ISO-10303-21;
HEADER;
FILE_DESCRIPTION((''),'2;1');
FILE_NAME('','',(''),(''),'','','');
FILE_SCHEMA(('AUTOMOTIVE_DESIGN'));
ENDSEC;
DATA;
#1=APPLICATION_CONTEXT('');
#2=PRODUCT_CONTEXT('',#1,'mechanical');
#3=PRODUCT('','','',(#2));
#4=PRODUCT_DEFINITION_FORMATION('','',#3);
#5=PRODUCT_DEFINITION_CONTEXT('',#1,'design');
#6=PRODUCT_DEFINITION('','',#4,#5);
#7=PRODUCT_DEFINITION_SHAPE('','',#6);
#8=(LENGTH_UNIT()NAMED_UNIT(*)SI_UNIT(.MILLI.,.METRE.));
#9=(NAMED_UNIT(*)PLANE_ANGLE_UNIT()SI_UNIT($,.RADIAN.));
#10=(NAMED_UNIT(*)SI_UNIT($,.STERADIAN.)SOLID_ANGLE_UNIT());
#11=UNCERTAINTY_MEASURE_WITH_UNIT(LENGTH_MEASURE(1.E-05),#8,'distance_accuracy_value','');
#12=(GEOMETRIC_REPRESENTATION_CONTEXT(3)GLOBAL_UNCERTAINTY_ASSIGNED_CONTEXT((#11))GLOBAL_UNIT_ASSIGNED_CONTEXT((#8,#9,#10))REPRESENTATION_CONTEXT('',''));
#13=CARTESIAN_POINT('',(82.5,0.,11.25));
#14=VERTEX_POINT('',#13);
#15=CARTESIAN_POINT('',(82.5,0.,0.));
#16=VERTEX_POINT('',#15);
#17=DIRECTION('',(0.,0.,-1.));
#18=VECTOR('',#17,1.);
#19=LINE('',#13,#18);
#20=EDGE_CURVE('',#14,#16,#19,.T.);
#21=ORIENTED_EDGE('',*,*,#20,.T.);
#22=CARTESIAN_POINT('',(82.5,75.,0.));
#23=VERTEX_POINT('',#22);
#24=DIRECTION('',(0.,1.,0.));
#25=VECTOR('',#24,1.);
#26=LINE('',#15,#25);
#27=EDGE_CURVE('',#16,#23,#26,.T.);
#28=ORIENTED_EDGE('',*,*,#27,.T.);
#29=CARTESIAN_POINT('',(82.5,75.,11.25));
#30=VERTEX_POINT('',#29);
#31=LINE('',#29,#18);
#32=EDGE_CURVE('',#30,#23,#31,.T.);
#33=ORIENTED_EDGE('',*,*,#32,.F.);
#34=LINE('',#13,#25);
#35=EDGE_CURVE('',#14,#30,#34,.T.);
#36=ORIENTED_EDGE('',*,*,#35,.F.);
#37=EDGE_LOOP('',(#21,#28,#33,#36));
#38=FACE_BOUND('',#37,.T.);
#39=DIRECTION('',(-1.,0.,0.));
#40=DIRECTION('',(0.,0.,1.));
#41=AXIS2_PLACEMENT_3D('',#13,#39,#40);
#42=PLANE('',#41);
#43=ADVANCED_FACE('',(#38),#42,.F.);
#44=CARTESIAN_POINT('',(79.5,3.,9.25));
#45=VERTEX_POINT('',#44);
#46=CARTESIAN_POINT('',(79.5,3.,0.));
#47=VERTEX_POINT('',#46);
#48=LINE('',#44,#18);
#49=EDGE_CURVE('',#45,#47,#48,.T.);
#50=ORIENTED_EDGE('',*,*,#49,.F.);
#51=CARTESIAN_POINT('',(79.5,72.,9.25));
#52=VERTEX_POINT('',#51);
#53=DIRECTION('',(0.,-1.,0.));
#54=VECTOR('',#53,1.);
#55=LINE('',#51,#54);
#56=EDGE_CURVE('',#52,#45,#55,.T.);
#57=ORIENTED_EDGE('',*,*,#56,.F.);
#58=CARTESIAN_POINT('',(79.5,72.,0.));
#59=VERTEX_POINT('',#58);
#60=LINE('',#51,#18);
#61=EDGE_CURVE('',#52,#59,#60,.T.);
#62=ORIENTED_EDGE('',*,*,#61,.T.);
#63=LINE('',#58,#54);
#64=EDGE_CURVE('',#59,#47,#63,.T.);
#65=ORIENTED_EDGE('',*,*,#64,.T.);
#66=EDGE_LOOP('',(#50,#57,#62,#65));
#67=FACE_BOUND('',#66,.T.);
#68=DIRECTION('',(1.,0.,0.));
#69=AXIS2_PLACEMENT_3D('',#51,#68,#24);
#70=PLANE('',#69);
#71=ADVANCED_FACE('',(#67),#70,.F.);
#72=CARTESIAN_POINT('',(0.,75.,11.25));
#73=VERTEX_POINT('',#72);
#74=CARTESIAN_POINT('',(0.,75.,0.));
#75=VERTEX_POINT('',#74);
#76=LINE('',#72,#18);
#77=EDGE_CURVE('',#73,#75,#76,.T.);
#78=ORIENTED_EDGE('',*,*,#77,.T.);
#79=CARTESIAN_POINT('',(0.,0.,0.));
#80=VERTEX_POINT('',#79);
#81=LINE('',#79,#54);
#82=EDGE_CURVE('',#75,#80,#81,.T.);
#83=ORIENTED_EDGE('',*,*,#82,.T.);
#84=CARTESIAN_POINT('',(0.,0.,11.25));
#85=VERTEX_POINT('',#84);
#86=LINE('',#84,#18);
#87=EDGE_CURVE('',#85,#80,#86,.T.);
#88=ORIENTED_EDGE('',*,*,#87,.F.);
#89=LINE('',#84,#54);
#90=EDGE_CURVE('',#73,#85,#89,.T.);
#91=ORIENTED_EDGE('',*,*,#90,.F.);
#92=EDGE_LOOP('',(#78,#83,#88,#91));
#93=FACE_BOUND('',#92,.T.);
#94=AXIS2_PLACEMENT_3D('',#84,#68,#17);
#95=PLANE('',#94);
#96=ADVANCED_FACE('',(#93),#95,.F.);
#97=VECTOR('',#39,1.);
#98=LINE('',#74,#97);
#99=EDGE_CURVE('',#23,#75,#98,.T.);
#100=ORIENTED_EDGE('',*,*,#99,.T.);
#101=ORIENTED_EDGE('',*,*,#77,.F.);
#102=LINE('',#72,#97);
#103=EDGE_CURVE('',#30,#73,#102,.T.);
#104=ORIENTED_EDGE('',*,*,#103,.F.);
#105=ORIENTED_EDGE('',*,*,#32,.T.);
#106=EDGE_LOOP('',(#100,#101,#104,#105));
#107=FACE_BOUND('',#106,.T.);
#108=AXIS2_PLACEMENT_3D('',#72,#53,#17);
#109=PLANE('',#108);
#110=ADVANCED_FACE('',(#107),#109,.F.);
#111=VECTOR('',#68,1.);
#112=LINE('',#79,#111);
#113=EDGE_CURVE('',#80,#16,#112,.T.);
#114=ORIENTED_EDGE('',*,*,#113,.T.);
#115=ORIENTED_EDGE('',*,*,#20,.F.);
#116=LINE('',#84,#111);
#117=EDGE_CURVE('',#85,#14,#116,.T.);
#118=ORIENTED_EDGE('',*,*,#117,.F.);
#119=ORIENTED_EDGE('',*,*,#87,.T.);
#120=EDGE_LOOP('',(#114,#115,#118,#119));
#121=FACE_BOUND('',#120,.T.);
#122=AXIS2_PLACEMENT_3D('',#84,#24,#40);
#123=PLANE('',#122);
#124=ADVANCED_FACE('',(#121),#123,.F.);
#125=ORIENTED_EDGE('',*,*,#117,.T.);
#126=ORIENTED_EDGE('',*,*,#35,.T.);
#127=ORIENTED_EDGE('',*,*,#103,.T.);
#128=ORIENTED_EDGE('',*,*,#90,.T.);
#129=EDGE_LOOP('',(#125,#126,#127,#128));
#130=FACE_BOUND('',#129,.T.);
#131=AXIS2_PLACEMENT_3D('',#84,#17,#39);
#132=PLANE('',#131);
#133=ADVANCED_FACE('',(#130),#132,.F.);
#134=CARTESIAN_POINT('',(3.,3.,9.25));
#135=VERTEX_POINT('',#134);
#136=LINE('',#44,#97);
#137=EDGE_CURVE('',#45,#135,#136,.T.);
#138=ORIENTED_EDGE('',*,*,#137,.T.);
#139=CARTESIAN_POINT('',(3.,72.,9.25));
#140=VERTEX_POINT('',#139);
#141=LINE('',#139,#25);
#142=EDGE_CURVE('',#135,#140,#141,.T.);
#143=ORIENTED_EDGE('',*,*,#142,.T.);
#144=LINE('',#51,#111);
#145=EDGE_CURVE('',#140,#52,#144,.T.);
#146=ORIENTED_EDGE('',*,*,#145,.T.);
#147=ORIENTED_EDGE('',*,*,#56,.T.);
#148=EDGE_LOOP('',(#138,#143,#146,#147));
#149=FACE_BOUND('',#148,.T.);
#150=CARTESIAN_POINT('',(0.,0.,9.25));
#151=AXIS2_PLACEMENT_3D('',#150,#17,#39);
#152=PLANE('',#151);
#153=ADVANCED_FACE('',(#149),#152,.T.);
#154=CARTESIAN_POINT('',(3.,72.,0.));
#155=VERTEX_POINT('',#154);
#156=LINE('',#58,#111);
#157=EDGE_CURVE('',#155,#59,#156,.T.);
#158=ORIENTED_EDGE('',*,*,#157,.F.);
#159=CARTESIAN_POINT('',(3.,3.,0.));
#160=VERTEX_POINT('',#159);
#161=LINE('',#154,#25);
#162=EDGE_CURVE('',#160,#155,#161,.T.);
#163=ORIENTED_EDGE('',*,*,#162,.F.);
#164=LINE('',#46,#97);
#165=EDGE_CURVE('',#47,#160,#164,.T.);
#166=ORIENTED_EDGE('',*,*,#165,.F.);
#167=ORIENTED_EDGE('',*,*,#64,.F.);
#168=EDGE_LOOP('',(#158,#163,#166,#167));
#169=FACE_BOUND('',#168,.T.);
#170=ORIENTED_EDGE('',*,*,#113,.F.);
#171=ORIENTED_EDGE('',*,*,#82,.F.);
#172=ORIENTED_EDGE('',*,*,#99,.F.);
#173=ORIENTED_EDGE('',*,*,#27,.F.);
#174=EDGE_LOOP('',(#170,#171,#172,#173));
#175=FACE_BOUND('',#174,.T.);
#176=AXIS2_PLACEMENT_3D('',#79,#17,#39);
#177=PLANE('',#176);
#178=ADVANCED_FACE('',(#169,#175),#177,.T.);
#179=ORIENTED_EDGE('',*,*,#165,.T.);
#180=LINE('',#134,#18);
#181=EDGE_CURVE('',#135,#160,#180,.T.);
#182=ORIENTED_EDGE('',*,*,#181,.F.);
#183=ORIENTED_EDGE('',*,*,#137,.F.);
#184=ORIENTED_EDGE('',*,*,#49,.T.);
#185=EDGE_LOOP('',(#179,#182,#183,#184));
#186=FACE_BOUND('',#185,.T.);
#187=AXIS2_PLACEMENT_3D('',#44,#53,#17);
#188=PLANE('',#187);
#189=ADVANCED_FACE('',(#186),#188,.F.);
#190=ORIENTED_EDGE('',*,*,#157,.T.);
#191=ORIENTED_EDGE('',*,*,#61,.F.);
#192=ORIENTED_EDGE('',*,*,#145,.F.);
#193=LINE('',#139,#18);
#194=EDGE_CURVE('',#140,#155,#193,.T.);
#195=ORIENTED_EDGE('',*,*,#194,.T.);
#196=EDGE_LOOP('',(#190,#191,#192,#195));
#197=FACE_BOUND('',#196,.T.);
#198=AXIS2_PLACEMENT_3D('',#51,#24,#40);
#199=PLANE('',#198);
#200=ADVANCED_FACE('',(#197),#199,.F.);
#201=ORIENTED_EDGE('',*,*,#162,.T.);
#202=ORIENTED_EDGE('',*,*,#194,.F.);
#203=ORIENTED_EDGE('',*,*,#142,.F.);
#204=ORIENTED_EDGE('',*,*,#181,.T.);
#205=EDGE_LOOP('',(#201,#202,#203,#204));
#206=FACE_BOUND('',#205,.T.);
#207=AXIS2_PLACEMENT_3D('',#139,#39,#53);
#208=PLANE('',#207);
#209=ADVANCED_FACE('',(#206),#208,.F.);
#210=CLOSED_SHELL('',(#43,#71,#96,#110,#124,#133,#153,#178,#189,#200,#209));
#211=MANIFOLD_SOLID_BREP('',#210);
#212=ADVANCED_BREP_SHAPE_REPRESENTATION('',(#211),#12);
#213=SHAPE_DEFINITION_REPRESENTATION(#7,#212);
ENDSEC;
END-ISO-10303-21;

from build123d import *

# Parameters (mm, degrees)
SKETCH1_W           = 82.5
SKETCH1_H           = 75
BOSS_EXTRUDE1_DEPTH = 11.25
SKETCH2_W           = 76.5
SKETCH2_H           = 69
CUT_EXTRUDE1_DEPTH  = 9.25


with BuildPart() as part:
    # Sketch1 → Boss-Extrude1 (new body)
    with BuildSketch(Plane.XY):
        with Locations((41.25, 37.5)):
            Rectangle(SKETCH1_W, SKETCH1_H)
    extrude(amount=BOSS_EXTRUDE1_DEPTH)

    # Sketch2 → Cut-Extrude1 (cut)
    with BuildSketch(Plane(origin=(0, 0, 0), x_dir=(-1, 0, 0), z_dir=(0, 0, -1))):
        with Locations((-41.25, 37.5)):
            Rectangle(SKETCH2_W, SKETCH2_H)
    extrude(amount=-CUT_EXTRUDE1_DEPTH, mode=Mode.SUBTRACT)


solid = part.part
